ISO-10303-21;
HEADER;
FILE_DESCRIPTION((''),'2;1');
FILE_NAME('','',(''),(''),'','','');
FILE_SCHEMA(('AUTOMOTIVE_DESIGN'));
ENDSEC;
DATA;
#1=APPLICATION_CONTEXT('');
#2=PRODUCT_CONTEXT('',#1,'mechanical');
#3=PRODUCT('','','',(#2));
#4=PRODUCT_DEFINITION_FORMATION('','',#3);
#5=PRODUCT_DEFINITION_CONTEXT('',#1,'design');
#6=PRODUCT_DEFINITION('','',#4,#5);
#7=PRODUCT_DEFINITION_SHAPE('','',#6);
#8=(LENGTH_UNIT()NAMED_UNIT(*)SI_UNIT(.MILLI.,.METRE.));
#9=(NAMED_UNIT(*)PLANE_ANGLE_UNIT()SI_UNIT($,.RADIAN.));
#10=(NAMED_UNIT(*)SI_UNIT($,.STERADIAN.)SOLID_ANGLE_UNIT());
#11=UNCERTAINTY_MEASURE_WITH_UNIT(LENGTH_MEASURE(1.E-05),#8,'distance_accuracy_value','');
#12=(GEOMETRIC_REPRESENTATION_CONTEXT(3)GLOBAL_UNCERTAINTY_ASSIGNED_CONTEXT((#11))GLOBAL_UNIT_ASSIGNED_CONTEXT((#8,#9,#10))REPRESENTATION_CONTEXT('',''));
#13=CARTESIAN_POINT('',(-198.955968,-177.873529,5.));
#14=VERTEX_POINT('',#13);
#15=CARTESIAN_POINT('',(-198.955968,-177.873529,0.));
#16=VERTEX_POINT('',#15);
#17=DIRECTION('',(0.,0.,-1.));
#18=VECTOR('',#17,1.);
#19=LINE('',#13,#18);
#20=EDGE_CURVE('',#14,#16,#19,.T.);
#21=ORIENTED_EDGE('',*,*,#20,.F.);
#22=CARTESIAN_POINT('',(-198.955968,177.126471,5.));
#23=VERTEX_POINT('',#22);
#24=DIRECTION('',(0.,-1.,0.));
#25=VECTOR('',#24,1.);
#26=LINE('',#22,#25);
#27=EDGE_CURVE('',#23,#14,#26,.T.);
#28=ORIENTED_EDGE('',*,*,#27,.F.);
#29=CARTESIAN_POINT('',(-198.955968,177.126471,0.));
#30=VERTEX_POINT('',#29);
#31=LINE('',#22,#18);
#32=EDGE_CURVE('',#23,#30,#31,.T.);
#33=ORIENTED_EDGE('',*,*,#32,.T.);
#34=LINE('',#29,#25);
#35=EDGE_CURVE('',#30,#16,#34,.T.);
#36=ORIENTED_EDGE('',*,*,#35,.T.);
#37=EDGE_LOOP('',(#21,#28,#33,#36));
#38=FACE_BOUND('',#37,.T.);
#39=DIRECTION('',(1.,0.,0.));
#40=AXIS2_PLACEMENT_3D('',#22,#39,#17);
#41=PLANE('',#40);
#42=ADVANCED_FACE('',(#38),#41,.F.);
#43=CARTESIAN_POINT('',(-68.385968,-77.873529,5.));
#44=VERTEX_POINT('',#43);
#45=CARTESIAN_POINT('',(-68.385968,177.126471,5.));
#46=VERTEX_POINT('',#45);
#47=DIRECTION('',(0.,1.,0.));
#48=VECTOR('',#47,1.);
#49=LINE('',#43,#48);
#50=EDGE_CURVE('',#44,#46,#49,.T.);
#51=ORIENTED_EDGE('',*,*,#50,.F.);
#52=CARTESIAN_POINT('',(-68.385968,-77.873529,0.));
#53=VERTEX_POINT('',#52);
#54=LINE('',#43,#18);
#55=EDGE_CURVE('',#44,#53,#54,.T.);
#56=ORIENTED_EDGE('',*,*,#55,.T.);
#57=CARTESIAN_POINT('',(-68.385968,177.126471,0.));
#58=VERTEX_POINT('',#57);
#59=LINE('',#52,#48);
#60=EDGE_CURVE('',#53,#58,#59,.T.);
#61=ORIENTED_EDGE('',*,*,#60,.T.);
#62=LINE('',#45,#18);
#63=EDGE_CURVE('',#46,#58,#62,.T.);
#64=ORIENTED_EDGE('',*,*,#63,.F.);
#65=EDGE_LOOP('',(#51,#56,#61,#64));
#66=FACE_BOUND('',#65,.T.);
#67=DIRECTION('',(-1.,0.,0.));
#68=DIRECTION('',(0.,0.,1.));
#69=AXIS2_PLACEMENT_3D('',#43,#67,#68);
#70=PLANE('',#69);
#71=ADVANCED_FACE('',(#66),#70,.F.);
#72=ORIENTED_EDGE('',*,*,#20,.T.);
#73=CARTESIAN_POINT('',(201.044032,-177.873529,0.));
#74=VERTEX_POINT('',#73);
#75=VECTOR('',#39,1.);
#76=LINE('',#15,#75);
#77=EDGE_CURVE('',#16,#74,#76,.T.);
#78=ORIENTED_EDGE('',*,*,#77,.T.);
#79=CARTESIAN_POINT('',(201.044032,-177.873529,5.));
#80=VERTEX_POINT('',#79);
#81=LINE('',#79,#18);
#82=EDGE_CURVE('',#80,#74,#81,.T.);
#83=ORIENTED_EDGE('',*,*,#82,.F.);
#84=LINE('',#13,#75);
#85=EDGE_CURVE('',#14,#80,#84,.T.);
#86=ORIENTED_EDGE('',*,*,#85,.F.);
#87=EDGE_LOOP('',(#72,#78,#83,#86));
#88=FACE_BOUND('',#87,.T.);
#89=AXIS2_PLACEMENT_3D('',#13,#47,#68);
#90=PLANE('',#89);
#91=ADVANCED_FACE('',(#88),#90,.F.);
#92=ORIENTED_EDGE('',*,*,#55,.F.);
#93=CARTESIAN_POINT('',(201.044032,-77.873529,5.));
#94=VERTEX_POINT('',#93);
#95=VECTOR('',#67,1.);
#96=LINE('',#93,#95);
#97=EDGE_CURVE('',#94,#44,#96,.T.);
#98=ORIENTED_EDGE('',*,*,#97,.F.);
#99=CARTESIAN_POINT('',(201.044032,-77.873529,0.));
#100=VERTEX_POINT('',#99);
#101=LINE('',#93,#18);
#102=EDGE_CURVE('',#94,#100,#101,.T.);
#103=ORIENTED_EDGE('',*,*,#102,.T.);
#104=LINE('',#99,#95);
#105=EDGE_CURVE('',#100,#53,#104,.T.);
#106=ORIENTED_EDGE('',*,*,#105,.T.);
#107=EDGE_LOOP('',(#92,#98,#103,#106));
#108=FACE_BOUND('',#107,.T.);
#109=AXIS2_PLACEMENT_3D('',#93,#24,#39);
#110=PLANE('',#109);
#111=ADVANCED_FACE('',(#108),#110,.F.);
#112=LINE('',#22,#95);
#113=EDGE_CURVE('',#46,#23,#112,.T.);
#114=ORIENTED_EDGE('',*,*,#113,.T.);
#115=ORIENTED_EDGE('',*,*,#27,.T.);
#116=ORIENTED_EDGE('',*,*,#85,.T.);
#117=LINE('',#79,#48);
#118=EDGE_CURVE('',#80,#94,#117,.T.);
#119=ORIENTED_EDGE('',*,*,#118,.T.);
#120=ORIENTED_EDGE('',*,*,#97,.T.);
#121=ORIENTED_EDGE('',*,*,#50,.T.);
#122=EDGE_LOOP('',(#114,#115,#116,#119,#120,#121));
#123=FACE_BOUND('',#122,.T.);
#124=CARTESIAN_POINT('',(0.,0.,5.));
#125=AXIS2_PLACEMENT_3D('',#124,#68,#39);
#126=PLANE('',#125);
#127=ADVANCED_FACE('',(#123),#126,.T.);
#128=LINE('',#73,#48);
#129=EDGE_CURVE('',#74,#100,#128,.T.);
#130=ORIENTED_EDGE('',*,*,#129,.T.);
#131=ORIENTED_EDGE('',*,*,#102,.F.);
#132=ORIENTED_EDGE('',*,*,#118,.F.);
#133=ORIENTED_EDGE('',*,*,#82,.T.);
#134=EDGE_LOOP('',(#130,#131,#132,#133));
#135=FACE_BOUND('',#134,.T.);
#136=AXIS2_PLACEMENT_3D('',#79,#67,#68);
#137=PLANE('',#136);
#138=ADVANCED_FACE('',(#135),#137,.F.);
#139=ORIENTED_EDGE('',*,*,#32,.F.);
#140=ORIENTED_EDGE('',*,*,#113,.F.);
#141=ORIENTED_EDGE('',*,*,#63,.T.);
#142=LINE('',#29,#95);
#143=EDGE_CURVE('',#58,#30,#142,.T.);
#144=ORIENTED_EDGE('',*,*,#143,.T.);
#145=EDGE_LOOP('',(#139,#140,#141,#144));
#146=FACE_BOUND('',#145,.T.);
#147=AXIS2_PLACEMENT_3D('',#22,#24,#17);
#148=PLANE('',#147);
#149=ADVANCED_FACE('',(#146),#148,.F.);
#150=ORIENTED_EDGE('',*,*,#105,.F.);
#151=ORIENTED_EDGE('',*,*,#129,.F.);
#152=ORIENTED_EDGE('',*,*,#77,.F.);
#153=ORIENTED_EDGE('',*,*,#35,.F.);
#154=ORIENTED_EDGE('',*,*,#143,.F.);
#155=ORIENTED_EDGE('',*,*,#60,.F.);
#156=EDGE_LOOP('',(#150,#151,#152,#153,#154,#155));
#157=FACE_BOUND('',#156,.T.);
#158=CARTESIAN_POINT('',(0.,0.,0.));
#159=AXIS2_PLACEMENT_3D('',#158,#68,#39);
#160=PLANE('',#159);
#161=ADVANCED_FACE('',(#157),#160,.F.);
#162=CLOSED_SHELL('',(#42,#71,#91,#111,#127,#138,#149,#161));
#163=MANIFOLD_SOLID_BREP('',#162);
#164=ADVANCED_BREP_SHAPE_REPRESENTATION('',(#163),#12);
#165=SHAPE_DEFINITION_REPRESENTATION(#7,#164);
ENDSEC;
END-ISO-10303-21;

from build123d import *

# Parameters (mm, degrees)
BOSS_EXTRU_1_DEPTH = 5


with BuildPart() as part:
    # Esquisse1 → Boss.-Extru.1 (new body)
    with BuildSketch(Plane.XY):
        Polygon((-198.955968468, 177.126470588), (-198.955968468, -177.873529412), (201.044031532, -177.873529412), (201.044031532, -77.873529412), (-68.385968468, -77.873529412), (-68.385968468, 177.126470588), align=None)
    extrude(amount=BOSS_EXTRU_1_DEPTH)


solid = part.part
